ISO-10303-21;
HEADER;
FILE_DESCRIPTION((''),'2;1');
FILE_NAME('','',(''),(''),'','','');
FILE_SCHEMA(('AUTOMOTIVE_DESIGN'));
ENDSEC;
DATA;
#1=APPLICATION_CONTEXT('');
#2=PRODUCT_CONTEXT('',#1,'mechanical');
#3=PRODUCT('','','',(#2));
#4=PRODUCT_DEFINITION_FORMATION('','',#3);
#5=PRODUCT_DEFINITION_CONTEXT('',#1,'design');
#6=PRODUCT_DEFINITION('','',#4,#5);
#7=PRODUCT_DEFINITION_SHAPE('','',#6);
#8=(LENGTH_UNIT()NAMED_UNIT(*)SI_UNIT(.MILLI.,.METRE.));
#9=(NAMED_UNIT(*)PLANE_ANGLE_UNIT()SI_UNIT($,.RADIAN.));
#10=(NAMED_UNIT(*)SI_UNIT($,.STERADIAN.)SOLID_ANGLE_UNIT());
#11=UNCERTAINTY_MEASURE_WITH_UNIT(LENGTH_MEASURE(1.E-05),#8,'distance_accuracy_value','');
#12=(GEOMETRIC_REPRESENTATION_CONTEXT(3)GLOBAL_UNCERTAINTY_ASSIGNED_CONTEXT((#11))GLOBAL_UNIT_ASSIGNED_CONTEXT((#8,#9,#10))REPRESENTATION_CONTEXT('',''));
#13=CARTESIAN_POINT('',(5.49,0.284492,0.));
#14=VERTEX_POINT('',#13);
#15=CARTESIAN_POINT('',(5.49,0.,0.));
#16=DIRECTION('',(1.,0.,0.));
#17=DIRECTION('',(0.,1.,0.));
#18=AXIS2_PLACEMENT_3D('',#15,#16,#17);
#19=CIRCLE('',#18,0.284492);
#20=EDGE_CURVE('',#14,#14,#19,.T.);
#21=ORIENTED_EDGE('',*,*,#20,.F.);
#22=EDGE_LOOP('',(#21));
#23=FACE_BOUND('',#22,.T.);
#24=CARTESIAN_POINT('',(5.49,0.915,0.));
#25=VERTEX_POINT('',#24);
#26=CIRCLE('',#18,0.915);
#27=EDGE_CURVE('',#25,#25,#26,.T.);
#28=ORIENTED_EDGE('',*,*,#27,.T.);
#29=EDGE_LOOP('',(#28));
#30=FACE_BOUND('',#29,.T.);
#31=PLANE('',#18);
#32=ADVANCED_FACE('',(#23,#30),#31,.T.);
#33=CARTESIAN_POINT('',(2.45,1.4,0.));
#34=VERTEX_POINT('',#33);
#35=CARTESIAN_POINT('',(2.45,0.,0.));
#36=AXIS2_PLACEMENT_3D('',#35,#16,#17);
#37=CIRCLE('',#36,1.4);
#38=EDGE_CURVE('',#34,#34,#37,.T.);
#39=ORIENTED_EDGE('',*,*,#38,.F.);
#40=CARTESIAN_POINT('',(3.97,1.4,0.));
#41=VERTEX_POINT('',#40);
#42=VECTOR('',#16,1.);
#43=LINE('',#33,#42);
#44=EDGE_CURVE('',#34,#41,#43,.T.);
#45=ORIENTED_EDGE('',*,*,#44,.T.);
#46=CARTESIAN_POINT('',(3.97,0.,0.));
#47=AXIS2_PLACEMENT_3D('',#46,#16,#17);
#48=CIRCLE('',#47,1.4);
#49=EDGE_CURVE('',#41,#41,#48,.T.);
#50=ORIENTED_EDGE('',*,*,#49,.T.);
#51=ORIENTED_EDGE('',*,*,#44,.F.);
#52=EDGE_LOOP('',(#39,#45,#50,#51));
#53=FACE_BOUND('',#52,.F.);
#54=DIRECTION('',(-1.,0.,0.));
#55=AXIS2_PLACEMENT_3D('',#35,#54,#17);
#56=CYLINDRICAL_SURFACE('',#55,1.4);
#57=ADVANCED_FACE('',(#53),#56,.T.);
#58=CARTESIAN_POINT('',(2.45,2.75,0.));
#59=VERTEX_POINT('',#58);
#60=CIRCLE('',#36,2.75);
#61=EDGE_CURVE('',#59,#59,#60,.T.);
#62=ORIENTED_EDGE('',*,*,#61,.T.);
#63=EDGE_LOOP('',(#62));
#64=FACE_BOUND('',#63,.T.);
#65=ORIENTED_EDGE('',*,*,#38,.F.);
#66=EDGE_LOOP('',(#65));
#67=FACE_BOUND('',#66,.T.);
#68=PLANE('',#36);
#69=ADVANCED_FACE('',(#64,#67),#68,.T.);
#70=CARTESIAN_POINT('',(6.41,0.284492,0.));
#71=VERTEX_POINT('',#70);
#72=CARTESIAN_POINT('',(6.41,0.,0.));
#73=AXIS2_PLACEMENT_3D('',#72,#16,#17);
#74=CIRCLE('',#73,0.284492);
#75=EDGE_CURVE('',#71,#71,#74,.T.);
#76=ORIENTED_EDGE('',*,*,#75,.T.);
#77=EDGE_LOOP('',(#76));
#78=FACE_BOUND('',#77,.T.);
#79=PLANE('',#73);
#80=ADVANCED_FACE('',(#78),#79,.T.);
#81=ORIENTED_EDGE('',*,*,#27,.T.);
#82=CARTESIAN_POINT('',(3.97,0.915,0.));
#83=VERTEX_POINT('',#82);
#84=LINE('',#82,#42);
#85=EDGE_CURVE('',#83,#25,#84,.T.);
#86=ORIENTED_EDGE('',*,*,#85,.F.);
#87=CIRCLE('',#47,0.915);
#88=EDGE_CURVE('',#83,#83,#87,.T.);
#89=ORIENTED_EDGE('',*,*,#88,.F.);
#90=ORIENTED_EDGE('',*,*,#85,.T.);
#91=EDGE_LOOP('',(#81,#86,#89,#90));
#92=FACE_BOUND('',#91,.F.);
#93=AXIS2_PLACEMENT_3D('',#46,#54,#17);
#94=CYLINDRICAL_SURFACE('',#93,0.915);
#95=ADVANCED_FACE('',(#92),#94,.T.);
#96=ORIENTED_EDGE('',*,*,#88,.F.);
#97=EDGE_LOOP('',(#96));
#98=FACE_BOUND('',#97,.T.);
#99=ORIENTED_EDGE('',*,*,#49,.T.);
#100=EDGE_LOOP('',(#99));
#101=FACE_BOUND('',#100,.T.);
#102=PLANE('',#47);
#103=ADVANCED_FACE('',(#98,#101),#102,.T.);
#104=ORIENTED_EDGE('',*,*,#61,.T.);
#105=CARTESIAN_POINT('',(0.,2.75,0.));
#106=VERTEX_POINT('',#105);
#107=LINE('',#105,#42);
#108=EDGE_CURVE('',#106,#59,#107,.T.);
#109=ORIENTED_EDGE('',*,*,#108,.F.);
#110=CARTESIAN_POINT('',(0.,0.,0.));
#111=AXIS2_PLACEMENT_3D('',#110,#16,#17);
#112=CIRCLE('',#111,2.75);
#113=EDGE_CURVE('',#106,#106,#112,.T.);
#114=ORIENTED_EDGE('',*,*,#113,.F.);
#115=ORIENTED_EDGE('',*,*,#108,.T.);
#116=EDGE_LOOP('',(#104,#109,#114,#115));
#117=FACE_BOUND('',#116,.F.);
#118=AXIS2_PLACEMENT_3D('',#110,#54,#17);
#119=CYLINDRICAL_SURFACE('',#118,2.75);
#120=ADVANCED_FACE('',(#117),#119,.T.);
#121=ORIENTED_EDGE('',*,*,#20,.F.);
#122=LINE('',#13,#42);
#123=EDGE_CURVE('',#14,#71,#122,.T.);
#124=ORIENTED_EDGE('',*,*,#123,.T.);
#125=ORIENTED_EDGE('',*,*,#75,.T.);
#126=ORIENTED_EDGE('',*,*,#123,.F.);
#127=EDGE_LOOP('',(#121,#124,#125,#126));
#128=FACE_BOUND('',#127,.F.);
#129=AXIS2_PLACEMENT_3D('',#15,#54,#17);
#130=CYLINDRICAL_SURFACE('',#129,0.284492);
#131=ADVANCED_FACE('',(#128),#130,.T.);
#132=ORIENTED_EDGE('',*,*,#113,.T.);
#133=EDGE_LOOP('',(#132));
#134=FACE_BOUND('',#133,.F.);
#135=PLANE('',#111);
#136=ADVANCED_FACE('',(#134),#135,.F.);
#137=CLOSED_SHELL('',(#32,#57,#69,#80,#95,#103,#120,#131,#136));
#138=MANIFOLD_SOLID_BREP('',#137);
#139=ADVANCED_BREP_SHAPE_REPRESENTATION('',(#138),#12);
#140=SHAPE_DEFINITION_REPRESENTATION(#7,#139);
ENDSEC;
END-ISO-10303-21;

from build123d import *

# Parameters (mm, degrees)
F0_R     = 2.75
F1_DEPTH = 2.45
F2_R     = 1.4
F3_DEPTH = 1.52
F4_R     = 0.915
F5_DEPTH = 1.52
F6_R     = 0.284492
F7_DEPTH = 0.92


with BuildPart() as f1:
    # F0 (on Right) → F1 (new body)
    with BuildSketch(Plane.YZ):
        Circle(F0_R)
    extrude(amount=F1_DEPTH)

    # F2 (on face) → F3 (join)
    with BuildSketch(Plane.YZ.offset(2.45)):
        Circle(F2_R)
    extrude(amount=F3_DEPTH)

    # F4 (on face) → F5 (join)
    with BuildSketch(Plane.YZ.offset(3.97)):
        Circle(F4_R)
    extrude(amount=F5_DEPTH)

    # F6 (on face) → F7 (join)
    with BuildSketch(Plane.YZ.offset(5.49)):
        Circle(F6_R)
    extrude(amount=F7_DEPTH)


solid = f1.part
